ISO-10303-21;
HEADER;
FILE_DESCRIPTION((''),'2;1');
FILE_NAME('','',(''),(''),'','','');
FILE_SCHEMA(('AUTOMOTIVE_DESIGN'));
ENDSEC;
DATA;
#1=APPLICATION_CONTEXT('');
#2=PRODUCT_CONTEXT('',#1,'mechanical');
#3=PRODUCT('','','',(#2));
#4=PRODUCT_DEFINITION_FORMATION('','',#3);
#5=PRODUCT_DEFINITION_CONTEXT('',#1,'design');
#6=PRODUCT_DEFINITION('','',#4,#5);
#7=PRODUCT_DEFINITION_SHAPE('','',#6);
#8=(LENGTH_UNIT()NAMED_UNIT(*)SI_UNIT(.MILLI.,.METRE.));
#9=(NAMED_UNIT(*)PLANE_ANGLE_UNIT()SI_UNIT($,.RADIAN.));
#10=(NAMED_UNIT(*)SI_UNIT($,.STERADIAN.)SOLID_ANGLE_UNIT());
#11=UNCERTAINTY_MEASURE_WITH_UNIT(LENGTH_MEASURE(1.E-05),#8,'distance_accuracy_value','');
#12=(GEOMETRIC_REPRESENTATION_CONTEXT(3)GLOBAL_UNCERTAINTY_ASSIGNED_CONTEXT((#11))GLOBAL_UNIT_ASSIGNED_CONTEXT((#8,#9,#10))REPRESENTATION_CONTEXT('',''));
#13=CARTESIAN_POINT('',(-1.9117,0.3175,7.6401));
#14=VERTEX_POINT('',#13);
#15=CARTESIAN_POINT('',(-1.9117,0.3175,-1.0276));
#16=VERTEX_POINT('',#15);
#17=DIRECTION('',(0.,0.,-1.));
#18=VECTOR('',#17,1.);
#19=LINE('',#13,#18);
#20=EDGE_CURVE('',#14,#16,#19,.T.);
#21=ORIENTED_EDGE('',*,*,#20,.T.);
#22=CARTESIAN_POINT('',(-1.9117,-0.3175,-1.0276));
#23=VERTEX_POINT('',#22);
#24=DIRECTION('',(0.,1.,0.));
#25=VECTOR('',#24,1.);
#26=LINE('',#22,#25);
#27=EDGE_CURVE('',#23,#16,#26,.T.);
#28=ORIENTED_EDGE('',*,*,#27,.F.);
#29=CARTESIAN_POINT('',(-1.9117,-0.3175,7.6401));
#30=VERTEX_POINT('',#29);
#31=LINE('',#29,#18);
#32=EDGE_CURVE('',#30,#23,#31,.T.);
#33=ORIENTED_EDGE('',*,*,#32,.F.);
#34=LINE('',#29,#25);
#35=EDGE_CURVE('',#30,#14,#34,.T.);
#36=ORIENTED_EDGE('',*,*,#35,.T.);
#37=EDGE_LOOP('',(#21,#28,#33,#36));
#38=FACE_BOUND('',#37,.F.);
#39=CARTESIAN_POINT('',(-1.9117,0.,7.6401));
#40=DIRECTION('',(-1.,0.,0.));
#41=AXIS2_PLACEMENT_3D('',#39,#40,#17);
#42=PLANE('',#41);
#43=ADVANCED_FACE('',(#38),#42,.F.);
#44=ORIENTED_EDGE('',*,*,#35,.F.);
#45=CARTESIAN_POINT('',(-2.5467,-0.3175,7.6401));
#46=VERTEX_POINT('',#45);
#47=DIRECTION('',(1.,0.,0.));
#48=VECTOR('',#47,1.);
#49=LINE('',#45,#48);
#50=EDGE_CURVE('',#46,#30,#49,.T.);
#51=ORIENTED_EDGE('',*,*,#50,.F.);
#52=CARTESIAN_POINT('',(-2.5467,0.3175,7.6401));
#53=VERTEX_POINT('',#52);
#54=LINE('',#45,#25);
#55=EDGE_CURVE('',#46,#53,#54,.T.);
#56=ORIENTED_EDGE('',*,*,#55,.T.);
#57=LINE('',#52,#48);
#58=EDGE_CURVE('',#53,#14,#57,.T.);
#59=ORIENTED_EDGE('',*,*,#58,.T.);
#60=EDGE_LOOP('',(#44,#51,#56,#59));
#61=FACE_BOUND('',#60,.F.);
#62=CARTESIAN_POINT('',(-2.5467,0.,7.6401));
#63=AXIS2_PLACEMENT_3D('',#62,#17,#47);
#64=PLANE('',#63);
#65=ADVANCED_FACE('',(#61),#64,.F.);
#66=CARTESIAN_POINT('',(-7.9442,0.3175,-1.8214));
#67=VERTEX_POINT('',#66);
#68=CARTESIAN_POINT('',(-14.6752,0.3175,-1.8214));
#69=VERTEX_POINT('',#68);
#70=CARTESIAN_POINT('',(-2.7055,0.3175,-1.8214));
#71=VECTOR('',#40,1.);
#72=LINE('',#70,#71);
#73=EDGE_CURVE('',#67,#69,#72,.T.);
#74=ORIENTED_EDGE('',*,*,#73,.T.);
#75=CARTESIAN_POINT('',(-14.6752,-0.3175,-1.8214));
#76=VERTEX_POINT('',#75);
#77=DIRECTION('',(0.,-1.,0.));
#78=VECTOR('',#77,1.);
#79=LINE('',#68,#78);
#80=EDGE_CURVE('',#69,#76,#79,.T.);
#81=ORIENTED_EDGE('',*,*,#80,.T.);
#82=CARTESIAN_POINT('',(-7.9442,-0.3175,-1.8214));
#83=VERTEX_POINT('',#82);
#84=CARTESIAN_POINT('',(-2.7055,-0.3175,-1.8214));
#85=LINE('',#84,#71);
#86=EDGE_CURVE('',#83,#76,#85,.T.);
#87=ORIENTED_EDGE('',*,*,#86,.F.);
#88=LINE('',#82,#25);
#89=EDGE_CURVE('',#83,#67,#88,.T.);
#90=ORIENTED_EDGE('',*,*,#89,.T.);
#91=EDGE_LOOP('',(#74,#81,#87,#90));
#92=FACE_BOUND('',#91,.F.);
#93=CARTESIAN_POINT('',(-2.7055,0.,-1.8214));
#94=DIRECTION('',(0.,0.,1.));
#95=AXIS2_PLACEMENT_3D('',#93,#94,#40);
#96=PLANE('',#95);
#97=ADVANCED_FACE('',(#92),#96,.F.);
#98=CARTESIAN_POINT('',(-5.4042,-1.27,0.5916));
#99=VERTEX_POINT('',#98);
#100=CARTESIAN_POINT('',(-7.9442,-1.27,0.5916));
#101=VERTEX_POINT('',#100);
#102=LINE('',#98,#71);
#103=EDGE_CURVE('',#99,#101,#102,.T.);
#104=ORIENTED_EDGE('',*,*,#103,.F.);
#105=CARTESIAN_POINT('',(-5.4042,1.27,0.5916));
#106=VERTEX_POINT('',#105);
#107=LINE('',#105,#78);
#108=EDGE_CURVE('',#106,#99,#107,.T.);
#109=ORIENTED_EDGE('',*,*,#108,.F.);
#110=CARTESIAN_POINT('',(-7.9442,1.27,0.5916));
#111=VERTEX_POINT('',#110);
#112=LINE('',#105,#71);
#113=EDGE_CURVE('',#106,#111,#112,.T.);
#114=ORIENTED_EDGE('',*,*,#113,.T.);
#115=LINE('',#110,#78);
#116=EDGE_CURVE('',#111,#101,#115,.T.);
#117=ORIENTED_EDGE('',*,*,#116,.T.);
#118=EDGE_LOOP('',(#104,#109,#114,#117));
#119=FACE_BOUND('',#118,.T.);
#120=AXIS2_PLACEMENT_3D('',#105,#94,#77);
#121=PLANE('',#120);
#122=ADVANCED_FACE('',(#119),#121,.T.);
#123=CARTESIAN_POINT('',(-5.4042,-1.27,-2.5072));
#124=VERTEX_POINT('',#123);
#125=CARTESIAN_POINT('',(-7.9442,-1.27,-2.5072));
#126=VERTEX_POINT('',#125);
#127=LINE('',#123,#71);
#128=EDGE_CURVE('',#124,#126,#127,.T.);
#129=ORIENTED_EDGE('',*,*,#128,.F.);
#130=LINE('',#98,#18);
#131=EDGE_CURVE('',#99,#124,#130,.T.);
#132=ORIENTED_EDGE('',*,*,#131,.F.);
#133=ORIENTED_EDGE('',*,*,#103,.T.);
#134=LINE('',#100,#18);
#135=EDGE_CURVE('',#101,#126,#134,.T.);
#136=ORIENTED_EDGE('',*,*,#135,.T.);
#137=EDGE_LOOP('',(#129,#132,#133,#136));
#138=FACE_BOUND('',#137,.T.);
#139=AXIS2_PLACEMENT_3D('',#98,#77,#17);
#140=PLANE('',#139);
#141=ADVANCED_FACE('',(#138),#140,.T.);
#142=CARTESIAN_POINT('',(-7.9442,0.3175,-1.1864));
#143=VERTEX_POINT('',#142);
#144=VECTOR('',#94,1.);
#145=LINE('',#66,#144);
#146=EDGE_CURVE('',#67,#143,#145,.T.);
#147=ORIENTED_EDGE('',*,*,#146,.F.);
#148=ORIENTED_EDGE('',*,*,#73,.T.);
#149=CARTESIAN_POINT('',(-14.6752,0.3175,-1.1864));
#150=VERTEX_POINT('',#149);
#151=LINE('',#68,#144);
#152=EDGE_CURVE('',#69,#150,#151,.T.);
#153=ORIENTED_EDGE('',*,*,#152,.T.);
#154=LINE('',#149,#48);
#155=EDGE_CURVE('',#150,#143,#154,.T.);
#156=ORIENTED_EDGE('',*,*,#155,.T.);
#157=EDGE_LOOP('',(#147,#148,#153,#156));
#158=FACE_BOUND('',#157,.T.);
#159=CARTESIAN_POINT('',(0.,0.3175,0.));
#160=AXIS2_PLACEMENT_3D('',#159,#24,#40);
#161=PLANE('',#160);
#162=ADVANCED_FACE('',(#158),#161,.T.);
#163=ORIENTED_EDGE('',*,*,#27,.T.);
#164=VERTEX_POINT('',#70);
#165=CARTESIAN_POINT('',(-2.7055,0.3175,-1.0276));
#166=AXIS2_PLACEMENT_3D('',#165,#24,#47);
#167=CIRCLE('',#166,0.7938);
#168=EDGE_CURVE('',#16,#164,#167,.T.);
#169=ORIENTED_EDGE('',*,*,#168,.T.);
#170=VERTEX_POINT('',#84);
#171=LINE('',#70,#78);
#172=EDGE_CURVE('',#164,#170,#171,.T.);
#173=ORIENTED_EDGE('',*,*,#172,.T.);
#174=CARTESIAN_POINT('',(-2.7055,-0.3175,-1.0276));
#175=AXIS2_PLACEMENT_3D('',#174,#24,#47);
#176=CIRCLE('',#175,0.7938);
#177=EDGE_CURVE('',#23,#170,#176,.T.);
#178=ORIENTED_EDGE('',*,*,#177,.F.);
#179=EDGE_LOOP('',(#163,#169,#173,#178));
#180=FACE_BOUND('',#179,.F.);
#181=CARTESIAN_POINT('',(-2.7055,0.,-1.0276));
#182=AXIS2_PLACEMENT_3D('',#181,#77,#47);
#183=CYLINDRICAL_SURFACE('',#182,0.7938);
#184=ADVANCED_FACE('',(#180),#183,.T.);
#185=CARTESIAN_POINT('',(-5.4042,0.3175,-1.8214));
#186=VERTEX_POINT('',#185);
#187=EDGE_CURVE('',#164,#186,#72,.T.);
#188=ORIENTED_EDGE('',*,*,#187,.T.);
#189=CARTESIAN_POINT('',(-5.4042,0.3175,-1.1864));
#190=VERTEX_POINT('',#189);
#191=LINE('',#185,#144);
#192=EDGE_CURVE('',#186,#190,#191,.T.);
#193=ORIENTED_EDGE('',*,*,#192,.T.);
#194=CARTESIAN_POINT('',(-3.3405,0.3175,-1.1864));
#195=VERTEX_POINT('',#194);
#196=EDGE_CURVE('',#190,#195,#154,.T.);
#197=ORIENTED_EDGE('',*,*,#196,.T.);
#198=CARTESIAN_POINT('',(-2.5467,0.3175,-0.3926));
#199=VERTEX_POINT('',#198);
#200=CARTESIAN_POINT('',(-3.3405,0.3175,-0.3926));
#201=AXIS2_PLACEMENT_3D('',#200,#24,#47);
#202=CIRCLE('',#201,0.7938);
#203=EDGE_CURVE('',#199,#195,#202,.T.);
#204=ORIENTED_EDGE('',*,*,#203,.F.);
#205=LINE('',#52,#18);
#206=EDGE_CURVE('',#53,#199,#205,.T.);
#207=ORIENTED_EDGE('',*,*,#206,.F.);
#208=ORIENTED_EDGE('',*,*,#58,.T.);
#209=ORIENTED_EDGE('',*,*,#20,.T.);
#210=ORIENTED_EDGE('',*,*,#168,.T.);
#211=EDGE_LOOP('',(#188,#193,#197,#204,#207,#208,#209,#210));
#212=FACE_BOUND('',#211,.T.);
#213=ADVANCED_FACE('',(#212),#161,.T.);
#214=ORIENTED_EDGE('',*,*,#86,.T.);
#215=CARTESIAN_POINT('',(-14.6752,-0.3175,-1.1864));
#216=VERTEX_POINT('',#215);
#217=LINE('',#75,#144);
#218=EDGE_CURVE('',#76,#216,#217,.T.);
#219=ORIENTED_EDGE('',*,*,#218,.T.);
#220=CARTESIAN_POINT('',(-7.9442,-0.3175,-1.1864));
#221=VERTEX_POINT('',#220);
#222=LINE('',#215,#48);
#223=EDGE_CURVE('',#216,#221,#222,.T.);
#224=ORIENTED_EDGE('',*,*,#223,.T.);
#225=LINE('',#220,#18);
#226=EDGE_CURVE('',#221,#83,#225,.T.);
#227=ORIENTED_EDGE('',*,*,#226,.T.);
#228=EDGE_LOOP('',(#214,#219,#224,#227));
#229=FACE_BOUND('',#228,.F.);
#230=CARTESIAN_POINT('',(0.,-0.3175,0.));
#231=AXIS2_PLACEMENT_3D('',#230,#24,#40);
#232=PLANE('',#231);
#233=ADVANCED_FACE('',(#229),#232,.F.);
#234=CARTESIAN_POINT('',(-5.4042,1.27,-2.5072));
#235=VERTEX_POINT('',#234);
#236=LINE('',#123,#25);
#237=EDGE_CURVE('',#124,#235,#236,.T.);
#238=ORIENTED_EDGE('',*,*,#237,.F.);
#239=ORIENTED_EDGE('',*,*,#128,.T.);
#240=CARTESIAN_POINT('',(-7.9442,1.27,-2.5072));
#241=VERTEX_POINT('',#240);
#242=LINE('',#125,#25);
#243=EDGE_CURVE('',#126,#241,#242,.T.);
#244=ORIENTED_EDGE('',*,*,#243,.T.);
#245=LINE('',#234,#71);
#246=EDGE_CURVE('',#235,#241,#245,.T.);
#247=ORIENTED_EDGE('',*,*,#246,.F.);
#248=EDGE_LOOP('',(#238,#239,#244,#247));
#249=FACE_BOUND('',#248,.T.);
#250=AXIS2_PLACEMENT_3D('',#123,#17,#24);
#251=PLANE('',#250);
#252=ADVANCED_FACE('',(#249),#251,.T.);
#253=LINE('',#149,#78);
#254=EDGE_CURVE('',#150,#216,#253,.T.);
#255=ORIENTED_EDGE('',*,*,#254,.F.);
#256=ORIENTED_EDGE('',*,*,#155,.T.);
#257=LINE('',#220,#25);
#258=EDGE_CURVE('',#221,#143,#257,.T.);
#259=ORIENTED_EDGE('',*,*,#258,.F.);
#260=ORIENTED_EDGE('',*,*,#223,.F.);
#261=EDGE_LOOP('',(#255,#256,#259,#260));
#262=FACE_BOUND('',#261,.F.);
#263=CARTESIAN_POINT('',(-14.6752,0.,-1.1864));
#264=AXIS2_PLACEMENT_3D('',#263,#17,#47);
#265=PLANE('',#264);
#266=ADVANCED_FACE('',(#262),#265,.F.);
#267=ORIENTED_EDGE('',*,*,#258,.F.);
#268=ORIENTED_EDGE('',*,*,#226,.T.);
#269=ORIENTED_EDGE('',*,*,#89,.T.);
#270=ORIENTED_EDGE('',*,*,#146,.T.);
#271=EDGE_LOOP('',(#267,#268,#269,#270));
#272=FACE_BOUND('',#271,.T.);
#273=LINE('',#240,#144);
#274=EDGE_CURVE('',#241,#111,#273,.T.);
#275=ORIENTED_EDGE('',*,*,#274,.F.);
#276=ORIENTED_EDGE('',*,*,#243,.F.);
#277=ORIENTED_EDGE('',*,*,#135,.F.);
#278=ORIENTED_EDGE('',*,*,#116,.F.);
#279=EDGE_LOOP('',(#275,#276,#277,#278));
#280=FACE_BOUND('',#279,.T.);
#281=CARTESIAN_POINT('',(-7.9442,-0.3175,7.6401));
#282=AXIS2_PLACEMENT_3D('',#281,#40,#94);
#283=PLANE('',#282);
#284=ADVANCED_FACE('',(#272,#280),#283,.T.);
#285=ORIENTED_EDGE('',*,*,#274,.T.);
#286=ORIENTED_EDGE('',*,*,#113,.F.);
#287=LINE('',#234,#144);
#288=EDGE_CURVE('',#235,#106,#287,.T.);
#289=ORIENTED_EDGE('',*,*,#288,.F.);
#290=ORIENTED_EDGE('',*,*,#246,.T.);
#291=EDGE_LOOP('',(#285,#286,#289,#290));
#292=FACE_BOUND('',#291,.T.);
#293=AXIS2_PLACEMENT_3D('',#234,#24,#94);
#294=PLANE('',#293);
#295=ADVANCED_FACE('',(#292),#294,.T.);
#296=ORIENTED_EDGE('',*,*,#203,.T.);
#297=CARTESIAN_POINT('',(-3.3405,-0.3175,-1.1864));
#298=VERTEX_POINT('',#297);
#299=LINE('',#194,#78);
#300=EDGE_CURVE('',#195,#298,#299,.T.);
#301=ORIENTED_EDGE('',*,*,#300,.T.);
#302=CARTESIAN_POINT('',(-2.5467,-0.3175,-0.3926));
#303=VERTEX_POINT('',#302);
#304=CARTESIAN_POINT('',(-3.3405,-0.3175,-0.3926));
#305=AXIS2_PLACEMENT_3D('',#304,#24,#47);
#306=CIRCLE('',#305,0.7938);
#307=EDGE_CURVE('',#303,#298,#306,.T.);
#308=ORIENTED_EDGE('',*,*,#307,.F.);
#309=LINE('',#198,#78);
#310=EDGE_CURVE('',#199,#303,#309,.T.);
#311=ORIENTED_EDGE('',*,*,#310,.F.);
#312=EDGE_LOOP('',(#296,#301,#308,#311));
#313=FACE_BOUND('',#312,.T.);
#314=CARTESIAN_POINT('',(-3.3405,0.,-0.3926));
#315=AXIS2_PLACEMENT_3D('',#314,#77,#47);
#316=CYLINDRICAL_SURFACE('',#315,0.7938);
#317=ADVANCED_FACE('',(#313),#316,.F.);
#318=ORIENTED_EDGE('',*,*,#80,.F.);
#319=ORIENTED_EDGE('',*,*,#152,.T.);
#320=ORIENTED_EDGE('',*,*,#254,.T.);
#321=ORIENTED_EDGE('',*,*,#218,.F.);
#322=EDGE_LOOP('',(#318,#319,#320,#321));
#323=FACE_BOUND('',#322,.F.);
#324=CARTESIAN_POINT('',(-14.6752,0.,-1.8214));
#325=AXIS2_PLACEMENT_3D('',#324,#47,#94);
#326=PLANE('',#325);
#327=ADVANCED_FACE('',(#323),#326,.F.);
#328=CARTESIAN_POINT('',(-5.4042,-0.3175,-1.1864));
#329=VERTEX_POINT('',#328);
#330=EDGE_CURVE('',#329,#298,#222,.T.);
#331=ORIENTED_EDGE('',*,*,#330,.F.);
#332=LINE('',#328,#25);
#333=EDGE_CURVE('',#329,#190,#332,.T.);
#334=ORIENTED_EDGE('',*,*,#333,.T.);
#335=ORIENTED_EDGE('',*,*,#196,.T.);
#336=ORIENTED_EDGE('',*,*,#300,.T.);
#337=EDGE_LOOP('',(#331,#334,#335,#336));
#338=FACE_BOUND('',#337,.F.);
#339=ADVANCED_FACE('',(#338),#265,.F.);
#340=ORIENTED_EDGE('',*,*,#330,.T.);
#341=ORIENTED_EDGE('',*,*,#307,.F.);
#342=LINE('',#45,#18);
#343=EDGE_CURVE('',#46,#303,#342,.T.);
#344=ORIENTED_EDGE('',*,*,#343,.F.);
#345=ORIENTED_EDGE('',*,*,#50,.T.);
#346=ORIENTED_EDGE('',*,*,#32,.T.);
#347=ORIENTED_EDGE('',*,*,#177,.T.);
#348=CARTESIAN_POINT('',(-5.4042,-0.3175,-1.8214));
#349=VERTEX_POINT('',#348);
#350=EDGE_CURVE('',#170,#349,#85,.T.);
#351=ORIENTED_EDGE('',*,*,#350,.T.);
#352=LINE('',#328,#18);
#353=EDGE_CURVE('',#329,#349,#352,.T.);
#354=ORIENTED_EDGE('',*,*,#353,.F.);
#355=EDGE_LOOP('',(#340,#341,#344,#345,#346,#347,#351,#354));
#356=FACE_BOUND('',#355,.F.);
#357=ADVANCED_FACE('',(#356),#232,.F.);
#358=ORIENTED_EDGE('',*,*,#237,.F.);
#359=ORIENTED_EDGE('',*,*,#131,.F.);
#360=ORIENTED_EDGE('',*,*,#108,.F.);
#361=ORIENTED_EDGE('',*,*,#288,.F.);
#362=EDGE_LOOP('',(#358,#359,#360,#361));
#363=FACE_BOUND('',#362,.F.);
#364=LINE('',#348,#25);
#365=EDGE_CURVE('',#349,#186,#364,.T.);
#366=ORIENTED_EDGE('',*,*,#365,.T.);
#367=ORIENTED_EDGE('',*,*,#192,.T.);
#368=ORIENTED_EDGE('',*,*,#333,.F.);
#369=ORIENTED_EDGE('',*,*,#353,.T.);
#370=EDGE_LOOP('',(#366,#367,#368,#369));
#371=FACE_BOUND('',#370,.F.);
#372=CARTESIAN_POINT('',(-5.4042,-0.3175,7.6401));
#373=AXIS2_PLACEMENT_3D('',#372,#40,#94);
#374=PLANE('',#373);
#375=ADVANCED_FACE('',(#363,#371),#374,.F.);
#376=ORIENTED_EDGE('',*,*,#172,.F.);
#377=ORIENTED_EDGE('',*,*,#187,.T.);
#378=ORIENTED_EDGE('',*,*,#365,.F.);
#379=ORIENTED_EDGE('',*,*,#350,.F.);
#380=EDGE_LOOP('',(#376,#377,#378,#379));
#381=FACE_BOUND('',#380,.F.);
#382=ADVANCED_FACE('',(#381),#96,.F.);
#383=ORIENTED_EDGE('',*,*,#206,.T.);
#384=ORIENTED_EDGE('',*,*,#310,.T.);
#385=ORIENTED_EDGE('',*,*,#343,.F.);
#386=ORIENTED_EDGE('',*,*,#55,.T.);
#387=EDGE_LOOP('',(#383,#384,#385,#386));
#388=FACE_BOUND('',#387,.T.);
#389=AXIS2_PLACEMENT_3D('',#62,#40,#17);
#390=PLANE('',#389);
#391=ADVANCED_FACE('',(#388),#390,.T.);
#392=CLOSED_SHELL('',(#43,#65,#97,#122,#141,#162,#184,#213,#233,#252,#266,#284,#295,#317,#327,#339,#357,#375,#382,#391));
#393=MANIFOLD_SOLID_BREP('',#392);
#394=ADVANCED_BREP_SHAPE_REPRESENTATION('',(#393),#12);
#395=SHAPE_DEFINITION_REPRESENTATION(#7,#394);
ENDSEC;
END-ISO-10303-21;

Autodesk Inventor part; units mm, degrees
ref_plane "YZ Plane" through (0, 0, 0) normal (1, 0, 0) x (0, 1, 0)
ref_plane "XZ Plane" through (0, 0, 0) normal (0, 1, 0) x (-1, 0, 0)
sketch "Sketch1" plane through (0, 0, 0) normal (0, 1, 0) x (-1, 0, 0)
  line L0 (2.5467, 7.6401) -> (1.9117, 7.6401)
  line L1 (1.9117, 7.6401) -> (1.9117, -1.0276)
  line L2 (2.7055, -1.8214) -> (14.6752, -1.8214)
  line L3 (14.6752, -1.8214) -> (14.6752, -1.1864)
  line L4 (14.6752, -1.1864) -> (3.3405, -1.1864)
  line L5 (2.5467, 7.6401) -> (2.5467, -0.3926)
  line L6 (14.6752, -1.5039) -> (20.4389, -1.5039) construction
  line L7 (2.2292, 7.6401) -> (2.2292, 18.3973) construction
  line L8 (8.8332, 0.2741) -> (6.2932, 0.2741) construction
  line L9 (6.2932, 0.2741) -> (6.2932, -2.8247) construction
  line L10 (8.8332, -2.8247) -> (8.8332, 0.2741) construction
  arc A0 (2.5467, -0.3926) -> (3.3405, -1.1864) centre (3.3405, -0.3926) ccw
  arc A1 (1.9117, -1.0276) -> (2.7055, -1.8214) centre (2.7055, -1.0276) ccw
  line L11 (8.8332, -2.8247) -> (6.2932, -2.8247) construction
  dimension "d2" = 0.635
  dimension "d7" = 3.0988
  dimension "d9" = 1.778
  dimension "d10" = 7.366
  dimension "d11" = 4.064
  dimension "d12" = 5.842
  dimension "d13" = 0.7937
extrude "Extrusion1" add sketch "Sketch1" along normal mid plane 0.635
ref_plane "Work Plane1" through (-5.4042, -0.3175, 7.6401) normal (-1, 0, 0) x (0, 0, 1)
sketch "Sketch2" plane through (-5.4042, -0.3175, 7.6401) normal (-1, 0, 0) x (0, 0, 1)
  line L0 (-8.8265, 0) -> (-8.8265, 0.635) projected
  line L1 (-9.4615, 0.635) -> (-8.8265, 0.635) projected
  line L2 (-9.4615, 0) -> (-9.4615, 0.635) projected
  line L3 (-8.8265, 0) -> (-9.4615, 0) projected
  line L4 (-7.0485, -0.9525) -> (-10.1473, -0.9525)
  line L5 (-10.1473, -0.9525) -> (-10.1473, 1.5875)
  line L6 (-10.1473, 1.5875) -> (-7.0485, 1.5875)
  line L7 (-7.0485, 1.5875) -> (-7.0485, -0.9525)
  line L8 (-9.144, 0) -> (-9.144, -1.4837) construction
  line L9 (-11.684, 0) -> (-11.684, -1.596) construction
  line L10 (-14.224, 0) -> (-14.224, -1.596) construction
  line L11 (-9.4615, 0.3175) -> (-12.8271, 0.3175) construction
  point P0 (-7.6401, 0.3175)
  point P1 (-10.1473, 0.3175)
  dimension "d17" = 3.0988
  dimension "d18" = 1.778
  dimension "d19" = 2.54
extrude "Extrusion2" add sketch "Sketch2" along normal blind 2.54
properties part number "HeaderRight1"
